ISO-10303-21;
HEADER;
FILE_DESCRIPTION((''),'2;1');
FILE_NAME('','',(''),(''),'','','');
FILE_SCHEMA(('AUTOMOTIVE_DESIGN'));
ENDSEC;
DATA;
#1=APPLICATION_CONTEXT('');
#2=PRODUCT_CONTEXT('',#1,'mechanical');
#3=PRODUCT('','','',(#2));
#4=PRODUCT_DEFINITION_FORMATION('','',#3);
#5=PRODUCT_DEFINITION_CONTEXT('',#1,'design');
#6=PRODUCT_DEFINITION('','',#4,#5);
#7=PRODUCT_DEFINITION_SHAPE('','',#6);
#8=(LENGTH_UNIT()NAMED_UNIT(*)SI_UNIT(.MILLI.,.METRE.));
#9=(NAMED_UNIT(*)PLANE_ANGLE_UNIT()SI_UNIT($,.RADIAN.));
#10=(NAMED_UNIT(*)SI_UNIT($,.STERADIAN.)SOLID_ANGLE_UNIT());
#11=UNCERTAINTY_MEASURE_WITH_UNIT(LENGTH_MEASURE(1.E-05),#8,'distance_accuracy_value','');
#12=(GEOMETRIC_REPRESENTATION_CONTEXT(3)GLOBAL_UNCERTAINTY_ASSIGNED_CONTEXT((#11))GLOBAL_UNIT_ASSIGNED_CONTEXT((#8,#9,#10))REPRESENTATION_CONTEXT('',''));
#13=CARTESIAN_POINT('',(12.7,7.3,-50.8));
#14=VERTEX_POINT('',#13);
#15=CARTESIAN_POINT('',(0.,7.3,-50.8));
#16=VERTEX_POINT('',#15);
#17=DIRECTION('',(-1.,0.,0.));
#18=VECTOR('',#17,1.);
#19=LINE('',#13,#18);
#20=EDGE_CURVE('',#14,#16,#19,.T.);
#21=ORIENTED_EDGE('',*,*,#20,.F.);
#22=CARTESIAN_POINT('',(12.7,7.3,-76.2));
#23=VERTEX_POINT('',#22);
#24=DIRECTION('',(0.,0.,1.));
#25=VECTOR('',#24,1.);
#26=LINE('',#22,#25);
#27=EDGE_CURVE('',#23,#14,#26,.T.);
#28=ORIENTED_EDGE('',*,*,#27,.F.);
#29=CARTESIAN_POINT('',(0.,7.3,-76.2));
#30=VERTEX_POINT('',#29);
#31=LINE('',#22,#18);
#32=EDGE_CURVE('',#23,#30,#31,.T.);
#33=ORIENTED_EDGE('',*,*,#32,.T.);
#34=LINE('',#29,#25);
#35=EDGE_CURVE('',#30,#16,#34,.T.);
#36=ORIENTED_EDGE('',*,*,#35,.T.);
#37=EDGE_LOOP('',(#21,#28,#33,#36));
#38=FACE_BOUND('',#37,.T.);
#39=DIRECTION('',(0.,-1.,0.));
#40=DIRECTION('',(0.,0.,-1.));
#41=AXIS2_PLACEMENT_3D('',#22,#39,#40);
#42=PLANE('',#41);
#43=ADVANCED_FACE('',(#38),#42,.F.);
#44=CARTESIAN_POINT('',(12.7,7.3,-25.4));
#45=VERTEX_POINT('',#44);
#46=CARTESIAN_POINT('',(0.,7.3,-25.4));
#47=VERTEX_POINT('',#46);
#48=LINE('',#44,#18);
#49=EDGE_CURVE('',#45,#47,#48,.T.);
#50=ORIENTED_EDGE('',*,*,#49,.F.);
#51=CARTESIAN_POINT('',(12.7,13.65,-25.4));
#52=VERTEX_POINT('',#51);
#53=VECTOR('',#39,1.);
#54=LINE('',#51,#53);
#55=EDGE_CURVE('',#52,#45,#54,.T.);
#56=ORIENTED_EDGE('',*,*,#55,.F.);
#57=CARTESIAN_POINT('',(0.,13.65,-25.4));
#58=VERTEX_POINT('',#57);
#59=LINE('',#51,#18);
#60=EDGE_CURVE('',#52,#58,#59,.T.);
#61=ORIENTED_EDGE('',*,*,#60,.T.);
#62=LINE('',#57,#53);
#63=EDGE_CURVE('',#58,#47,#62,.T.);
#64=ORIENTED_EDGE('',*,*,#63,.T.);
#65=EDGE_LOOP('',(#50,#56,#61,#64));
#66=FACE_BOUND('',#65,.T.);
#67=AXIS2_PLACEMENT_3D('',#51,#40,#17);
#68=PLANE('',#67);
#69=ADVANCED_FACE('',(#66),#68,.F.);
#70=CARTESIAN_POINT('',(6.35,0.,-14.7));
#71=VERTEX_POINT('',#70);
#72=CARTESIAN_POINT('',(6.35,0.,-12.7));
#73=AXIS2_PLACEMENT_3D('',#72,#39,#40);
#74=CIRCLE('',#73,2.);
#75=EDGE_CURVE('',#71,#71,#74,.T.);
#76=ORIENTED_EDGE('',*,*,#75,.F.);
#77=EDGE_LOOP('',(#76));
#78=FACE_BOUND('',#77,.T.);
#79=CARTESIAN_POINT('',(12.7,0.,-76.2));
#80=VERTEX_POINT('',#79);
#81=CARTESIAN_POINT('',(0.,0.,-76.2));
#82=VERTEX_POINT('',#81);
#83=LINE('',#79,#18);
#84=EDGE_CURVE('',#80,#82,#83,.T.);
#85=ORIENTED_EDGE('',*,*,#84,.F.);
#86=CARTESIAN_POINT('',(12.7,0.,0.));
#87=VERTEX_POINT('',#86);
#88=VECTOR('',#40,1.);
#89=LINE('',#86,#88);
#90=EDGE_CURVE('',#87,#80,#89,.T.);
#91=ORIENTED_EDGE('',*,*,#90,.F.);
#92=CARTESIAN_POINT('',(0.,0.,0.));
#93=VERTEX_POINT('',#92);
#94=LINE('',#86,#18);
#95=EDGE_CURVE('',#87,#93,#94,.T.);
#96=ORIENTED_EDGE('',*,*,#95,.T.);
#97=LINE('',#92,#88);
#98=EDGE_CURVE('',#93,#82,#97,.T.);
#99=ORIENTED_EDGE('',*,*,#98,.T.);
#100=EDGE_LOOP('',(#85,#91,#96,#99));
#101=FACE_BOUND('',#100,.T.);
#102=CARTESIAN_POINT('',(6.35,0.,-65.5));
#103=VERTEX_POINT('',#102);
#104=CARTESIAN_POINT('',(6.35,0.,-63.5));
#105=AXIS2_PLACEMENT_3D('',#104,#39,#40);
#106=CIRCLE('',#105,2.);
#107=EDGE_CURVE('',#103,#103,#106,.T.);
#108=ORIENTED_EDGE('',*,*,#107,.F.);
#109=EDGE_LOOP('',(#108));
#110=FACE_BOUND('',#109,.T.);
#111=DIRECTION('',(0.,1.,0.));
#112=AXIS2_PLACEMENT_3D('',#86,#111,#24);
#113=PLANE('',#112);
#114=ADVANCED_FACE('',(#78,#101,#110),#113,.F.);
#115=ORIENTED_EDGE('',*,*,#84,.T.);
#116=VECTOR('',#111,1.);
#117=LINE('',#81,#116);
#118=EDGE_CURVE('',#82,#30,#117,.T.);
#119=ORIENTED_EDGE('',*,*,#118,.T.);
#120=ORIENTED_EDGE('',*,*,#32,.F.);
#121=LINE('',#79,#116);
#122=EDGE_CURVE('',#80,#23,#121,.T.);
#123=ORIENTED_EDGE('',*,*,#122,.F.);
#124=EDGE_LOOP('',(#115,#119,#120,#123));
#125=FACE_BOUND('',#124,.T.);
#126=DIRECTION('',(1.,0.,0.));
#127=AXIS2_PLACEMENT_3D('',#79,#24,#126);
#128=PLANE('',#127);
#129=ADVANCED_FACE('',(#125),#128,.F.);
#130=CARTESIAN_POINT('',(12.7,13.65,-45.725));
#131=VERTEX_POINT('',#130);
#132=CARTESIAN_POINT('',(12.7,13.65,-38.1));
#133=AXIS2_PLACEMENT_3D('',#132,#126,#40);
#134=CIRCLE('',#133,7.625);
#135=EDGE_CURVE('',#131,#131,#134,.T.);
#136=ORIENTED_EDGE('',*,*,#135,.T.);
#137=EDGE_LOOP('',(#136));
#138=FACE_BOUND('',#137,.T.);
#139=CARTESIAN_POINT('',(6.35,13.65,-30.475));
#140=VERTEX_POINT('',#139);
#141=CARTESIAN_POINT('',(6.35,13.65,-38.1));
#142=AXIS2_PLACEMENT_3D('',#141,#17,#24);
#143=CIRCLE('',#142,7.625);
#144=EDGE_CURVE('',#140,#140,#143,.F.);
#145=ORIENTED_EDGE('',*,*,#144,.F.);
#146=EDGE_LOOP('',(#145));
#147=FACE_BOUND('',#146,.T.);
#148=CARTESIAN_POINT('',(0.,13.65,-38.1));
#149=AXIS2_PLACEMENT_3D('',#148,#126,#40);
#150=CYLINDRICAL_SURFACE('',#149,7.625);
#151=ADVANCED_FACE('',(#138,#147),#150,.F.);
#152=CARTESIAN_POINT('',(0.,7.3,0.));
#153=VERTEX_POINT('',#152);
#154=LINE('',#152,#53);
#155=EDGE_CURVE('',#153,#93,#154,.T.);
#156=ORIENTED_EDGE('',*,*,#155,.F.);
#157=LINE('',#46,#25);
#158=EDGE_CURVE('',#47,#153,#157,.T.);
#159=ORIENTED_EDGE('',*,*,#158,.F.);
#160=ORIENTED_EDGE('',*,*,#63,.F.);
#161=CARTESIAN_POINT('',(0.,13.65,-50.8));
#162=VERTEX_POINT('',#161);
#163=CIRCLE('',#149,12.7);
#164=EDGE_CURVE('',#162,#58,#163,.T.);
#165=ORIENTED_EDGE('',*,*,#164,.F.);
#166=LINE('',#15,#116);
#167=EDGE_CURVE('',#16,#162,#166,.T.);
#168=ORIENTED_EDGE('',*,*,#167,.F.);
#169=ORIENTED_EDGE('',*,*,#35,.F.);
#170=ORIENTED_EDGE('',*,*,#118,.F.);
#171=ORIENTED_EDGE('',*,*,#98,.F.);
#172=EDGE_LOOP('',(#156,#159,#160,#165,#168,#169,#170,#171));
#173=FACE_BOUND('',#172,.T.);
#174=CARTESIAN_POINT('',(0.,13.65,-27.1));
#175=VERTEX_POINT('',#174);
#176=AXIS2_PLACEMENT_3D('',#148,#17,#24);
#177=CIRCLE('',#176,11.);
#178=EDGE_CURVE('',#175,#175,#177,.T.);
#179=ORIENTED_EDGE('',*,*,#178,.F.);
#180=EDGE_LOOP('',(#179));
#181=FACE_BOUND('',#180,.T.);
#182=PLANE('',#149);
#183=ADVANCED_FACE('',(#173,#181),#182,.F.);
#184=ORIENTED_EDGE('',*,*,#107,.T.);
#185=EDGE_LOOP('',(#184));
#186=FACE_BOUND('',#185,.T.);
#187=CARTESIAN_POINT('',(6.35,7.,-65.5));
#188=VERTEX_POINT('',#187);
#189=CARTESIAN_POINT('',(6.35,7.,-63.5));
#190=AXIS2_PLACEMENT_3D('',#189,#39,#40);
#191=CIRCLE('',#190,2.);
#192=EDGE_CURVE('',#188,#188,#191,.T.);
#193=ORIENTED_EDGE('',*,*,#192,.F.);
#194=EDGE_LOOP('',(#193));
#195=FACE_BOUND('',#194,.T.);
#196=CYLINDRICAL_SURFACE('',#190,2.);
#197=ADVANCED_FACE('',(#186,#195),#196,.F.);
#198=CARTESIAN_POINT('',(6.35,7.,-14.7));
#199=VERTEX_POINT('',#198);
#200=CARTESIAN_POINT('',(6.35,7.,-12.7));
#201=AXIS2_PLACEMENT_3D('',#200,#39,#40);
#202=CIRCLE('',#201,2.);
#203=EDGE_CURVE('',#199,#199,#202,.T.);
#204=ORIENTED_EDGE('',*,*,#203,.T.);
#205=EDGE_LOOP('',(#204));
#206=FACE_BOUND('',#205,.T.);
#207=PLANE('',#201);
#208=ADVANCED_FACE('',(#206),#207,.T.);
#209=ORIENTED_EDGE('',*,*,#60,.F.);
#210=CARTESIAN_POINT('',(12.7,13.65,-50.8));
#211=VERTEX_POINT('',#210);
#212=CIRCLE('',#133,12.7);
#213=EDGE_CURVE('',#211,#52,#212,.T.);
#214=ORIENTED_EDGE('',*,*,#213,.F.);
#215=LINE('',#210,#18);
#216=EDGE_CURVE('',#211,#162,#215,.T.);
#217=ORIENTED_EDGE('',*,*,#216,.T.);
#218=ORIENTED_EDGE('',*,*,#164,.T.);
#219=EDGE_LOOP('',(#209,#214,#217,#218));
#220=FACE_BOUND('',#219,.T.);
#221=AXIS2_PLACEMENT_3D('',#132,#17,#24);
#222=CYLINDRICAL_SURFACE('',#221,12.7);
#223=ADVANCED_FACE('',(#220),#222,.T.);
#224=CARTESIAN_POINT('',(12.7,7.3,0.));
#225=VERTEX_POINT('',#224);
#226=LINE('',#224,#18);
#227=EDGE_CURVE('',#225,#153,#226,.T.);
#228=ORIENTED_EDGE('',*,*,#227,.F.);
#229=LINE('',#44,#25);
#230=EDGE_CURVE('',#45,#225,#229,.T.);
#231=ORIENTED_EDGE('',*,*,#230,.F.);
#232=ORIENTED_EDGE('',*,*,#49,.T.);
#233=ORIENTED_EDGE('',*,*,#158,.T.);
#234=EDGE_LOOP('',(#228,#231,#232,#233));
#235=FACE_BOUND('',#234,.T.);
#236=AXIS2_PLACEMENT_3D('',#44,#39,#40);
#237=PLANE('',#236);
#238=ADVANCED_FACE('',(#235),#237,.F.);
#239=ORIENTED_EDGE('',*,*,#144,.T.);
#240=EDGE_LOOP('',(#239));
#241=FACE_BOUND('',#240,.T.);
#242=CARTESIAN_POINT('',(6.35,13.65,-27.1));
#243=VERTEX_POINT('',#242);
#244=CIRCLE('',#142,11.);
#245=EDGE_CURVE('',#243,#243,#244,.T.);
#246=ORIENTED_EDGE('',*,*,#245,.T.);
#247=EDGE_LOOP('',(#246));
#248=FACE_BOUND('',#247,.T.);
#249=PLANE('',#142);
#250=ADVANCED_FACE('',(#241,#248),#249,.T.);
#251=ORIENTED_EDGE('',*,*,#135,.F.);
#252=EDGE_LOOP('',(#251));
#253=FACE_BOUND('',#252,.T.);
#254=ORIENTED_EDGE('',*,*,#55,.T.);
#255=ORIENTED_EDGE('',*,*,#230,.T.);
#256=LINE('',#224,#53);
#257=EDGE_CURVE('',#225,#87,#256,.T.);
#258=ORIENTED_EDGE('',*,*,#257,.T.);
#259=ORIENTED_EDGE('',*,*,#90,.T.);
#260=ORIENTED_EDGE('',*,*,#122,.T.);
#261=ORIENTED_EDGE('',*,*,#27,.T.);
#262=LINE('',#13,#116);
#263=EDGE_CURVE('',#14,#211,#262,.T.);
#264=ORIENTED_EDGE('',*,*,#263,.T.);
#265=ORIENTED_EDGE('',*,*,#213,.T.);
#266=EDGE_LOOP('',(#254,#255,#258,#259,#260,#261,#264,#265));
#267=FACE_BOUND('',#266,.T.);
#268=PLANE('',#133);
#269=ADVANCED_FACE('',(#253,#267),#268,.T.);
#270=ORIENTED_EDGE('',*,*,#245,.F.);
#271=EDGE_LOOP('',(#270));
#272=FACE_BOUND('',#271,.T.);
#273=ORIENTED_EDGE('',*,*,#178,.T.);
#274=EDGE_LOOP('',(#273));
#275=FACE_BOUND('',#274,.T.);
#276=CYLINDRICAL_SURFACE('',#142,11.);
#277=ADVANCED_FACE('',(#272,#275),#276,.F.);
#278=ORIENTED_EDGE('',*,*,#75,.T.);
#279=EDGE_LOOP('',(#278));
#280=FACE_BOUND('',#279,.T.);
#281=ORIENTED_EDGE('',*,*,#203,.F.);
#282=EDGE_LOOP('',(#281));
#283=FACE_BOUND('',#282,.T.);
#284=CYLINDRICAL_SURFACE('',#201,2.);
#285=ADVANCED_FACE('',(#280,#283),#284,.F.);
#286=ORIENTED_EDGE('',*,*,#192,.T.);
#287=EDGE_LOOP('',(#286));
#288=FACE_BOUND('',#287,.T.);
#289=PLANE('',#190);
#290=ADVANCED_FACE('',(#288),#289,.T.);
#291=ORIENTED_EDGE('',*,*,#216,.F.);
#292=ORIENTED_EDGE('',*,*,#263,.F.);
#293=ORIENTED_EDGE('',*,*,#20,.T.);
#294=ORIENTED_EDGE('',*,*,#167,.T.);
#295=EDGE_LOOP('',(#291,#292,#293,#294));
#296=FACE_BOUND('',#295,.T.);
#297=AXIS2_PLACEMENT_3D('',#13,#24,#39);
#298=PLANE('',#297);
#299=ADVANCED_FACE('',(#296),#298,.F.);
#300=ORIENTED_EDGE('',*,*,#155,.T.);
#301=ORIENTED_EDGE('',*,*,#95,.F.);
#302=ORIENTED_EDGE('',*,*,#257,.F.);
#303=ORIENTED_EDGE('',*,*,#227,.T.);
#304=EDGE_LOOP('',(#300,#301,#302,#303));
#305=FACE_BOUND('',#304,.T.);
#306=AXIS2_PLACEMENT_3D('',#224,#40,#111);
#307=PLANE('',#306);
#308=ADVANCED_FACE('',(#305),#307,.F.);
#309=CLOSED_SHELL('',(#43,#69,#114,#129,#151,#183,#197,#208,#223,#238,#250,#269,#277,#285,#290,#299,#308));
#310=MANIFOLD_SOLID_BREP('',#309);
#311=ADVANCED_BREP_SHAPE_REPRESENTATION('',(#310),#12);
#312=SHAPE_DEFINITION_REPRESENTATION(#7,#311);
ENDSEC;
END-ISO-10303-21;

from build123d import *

# Parameters (mm, degrees)
BOSS_EXTRUDE1_DEPTH = 12.7
SKETCH2_R           = 7.62500004
CUT_EXTRUDE1_DEPTH  = 82.621397317
SKETCH3_R           = 2
CUT_EXTRUDE2_DEPTH  = 7
SKETCH4_R           = 11
CUT_EXTRUDE3_DEPTH  = 6.35


with BuildPart() as part:
    # Sketch1 → Boss-Extrude1 (new body)
    with BuildSketch(Plane(origin=(0, 0, 0), x_dir=(0, 0, -1), z_dir=(1, 0, 0))):
        with BuildLine():
            Line((0, 0), (76.2, 0))
            Line((76.2, 0), (76.2, 7.3))
            Line((76.2, 7.3), (50.8, 7.3))
            Line((50.8, 7.3), (50.8, 13.65))
            ThreePointArc((50.8, 13.65), (38.1, 26.35), (25.4, 13.65))
            Line((25.4, 13.65), (25.4, 7.3))
            Line((25.4, 7.3), (0, 7.3))
            Line((0, 7.3), (0, 0))
        make_face()
    extrude(amount=BOSS_EXTRUDE1_DEPTH)

    # Sketch2 → Cut-Extrude1 (cut, through all)
    with BuildSketch(Plane(origin=(12.7, 0, 0), x_dir=(0, 0, -1), z_dir=(1, 0, 0))):
        with Locations((38.1, 13.65)):
            Circle(SKETCH2_R)
    extrude(amount=-CUT_EXTRUDE1_DEPTH, mode=Mode.SUBTRACT)

    # Sketch3 → Cut-Extrude2 (cut)
    with BuildSketch(Plane.XZ):
        with Locations(Location((6.35, -12.7, 0), (0, 0, 270))):
            Circle(SKETCH3_R)
        with Locations(Location((6.35, -63.5, 0), (0, 0, 270))):
            Circle(SKETCH3_R)
    extrude(amount=-CUT_EXTRUDE2_DEPTH, mode=Mode.SUBTRACT)

    # Sketch4 → Cut-Extrude3 (cut)
    with BuildSketch(Plane.ZY):
        with Locations((-38.1, 13.65)):
            Circle(SKETCH4_R)
    extrude(amount=-CUT_EXTRUDE3_DEPTH, mode=Mode.SUBTRACT)


solid = part.part
